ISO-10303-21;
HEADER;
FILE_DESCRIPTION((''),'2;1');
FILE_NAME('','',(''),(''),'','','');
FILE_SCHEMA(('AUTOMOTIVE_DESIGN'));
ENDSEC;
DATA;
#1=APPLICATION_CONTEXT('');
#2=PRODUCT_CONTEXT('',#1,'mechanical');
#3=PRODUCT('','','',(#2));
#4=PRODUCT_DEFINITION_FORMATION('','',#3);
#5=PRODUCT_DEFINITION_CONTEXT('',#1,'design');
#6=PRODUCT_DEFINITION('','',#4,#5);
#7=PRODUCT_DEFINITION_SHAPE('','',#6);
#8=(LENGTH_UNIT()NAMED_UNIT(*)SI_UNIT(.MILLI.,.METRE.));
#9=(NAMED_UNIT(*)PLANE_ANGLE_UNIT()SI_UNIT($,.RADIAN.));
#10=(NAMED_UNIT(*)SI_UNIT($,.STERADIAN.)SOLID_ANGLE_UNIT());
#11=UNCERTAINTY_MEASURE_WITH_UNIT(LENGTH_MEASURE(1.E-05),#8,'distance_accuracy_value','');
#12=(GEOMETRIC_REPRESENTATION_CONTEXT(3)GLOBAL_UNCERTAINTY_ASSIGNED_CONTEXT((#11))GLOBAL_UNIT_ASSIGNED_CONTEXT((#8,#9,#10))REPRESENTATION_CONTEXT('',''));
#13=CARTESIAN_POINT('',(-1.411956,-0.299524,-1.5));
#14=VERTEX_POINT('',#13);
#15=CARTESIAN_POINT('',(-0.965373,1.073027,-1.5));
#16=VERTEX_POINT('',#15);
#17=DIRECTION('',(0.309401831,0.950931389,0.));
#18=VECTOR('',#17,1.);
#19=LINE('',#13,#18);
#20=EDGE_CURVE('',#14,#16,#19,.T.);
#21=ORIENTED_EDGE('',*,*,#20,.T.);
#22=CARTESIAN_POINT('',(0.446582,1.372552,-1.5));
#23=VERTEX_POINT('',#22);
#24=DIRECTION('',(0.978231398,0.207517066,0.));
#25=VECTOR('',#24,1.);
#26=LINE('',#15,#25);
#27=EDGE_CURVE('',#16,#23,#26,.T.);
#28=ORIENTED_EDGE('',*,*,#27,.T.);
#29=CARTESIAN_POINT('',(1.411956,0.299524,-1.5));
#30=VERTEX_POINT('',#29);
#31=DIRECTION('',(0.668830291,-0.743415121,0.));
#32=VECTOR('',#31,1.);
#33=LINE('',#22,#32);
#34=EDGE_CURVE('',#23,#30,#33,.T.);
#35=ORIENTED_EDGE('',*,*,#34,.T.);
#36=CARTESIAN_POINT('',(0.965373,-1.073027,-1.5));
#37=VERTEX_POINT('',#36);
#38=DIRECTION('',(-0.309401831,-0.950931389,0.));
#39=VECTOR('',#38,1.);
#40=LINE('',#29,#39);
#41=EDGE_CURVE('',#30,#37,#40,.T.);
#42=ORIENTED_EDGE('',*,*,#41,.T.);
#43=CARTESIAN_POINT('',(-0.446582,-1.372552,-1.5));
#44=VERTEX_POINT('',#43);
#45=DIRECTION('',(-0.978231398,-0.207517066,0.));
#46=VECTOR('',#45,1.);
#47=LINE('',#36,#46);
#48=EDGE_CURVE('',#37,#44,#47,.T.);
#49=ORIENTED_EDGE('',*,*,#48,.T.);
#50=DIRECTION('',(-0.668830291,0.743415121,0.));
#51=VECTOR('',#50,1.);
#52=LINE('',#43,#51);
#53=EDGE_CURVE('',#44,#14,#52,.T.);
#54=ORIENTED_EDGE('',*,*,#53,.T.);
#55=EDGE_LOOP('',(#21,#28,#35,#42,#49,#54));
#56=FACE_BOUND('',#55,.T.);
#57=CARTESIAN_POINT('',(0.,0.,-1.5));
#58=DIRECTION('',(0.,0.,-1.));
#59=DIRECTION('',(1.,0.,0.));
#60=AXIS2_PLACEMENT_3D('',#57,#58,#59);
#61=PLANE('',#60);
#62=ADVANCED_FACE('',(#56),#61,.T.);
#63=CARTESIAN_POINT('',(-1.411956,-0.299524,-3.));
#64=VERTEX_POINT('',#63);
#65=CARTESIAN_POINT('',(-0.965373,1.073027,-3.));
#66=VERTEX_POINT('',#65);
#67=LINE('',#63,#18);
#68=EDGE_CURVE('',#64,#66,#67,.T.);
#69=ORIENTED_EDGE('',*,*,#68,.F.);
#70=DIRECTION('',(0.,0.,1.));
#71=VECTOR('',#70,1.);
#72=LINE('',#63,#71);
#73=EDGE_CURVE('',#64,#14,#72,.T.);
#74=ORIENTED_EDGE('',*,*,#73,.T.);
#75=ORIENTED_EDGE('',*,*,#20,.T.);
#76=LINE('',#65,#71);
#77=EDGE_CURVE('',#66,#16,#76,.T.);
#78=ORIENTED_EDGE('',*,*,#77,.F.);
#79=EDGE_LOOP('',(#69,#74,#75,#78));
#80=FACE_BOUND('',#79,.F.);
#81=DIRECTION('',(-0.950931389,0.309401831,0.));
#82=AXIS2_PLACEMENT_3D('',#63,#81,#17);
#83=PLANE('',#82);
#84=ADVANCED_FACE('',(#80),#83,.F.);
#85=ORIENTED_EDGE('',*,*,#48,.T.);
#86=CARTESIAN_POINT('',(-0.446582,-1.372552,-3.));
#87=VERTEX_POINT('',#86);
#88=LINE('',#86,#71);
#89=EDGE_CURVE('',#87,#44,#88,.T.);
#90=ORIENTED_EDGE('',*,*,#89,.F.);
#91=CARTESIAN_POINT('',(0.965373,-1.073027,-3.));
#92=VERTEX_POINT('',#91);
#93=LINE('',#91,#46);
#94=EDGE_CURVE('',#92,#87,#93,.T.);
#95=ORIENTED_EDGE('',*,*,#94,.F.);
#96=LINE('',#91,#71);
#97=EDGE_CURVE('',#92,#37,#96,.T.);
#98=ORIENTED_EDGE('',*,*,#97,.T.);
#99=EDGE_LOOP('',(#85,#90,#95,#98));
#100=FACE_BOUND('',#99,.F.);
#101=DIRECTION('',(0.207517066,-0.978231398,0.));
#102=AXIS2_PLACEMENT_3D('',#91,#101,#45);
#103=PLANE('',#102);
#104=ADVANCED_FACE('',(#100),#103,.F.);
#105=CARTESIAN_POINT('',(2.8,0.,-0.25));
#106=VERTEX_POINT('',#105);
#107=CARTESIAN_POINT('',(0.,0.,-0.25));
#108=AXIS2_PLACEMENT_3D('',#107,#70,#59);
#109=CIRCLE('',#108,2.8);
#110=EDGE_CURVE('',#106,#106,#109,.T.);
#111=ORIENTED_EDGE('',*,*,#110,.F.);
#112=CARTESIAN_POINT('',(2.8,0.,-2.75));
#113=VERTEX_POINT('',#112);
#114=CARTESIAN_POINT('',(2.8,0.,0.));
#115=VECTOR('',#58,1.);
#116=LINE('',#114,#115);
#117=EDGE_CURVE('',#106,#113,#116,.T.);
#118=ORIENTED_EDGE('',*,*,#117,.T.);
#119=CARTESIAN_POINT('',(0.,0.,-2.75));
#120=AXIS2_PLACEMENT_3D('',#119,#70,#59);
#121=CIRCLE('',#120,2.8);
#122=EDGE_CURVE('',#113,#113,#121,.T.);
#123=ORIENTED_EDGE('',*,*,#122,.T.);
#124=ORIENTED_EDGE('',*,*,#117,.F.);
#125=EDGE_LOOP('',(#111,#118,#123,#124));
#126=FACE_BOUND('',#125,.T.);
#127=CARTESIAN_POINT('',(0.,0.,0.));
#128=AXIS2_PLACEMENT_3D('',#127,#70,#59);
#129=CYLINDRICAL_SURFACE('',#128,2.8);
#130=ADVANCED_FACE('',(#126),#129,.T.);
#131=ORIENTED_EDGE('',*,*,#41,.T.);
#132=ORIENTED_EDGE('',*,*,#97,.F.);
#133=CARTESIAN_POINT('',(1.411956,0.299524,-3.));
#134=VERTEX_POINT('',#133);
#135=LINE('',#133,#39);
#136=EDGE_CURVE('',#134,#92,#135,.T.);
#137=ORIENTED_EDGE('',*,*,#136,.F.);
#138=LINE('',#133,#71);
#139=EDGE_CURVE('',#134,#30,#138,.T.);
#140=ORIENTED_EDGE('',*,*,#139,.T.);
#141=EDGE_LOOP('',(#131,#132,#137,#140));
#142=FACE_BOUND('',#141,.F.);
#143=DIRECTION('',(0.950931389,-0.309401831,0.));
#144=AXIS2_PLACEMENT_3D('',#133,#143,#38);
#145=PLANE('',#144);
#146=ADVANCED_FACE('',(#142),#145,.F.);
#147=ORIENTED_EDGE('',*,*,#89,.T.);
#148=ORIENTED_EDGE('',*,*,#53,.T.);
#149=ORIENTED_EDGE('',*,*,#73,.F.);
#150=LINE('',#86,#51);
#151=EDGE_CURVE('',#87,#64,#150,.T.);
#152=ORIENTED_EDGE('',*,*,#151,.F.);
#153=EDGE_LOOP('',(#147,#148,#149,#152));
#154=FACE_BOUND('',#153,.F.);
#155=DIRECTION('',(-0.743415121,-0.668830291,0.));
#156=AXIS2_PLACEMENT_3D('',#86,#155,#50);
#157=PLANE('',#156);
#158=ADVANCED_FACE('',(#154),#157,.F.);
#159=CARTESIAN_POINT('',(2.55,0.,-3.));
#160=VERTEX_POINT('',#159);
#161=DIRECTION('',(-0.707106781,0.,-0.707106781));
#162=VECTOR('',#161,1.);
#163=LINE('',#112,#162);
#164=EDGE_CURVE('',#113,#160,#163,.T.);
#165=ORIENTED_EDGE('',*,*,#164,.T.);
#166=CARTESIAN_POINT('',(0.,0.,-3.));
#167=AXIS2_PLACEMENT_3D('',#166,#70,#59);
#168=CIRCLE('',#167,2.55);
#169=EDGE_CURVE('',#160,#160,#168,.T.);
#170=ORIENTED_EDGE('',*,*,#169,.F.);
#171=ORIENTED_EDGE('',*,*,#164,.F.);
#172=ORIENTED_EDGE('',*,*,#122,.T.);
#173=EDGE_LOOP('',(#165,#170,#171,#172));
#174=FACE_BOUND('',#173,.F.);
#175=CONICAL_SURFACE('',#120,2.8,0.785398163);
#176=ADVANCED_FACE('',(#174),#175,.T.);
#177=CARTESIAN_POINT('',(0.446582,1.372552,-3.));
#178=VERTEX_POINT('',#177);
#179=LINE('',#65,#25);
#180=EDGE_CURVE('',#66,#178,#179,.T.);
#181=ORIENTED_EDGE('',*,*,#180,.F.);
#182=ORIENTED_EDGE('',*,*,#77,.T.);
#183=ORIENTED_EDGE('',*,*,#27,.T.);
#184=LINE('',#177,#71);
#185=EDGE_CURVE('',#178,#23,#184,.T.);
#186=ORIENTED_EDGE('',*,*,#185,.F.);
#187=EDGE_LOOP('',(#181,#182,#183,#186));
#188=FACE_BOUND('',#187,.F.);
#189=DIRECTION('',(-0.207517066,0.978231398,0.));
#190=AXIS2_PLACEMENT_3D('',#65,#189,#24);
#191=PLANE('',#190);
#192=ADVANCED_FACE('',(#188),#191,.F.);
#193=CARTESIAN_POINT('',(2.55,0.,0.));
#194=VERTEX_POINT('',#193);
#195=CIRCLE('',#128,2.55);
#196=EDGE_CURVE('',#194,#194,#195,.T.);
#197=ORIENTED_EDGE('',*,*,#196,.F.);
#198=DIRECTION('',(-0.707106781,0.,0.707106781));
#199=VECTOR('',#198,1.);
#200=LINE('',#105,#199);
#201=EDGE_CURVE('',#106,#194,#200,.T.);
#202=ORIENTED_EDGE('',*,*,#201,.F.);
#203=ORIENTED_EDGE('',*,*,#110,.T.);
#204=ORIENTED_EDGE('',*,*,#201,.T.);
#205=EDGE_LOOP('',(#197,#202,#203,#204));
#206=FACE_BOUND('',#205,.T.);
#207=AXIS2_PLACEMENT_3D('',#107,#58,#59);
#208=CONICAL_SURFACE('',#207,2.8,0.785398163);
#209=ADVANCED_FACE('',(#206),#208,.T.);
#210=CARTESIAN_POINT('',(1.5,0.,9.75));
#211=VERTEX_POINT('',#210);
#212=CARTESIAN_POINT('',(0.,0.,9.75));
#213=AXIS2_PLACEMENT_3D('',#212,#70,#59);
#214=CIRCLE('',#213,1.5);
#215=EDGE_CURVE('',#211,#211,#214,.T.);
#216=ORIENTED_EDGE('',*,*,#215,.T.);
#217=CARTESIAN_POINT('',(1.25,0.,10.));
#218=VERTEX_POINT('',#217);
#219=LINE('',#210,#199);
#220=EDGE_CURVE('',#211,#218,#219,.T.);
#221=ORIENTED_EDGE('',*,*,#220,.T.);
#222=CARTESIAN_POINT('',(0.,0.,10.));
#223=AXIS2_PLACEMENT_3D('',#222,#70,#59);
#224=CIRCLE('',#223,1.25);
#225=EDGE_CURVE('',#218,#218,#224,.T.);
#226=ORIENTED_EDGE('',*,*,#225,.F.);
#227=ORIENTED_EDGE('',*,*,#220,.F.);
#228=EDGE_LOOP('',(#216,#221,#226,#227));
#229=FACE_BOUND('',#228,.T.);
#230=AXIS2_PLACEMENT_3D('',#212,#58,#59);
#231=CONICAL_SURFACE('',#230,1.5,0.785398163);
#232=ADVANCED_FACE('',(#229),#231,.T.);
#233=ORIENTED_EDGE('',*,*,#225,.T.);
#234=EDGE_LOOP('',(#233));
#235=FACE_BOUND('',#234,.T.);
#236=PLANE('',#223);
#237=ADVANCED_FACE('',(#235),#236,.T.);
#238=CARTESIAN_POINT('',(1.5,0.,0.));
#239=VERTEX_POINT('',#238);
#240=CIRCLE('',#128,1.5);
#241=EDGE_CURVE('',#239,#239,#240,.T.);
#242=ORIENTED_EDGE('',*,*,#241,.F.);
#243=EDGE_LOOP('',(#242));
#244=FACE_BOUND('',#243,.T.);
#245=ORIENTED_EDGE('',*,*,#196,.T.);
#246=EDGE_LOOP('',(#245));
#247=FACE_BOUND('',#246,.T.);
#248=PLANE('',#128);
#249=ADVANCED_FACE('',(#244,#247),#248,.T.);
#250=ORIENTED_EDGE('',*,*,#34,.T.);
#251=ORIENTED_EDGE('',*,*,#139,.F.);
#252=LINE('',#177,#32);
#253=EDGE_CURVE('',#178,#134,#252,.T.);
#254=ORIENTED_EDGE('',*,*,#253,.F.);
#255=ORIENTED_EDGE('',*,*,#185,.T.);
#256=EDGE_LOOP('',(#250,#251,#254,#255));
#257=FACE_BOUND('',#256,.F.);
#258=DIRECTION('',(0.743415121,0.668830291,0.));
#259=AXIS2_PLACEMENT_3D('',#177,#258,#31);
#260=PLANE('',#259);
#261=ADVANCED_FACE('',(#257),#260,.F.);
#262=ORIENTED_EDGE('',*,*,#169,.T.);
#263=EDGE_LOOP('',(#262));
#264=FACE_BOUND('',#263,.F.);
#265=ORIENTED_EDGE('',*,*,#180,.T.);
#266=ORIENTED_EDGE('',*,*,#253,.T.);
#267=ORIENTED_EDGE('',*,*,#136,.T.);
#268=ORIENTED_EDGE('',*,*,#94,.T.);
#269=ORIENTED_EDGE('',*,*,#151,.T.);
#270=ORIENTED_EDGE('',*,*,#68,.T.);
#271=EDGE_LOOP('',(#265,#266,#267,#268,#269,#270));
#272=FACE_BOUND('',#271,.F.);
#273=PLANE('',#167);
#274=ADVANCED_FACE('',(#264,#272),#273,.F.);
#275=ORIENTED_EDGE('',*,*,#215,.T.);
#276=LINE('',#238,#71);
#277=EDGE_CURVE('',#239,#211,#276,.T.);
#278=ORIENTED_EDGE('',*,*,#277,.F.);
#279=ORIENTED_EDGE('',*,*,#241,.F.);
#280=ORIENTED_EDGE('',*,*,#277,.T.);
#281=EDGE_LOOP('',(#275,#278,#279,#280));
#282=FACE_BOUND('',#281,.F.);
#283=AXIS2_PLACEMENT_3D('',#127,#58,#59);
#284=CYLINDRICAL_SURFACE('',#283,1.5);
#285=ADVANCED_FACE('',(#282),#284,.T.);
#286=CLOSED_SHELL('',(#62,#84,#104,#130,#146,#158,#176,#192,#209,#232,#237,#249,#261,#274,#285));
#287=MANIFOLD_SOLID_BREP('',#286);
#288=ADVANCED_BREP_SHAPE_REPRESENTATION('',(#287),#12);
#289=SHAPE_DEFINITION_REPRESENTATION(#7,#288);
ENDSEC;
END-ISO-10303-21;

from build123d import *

# Parameters (mm, degrees)
F0_R     = 1.5
F1_DEPTH = 10
F2_R     = 2.8
F3_DEPTH = 3
F5_DEPTH = 1.5
F6_SIZE  = 0.25


with BuildPart() as f1:
    # F0 (on Top) → F1 (new body)
    with BuildSketch(Plane.XY):
        Circle(F0_R)
    extrude(amount=F1_DEPTH)

    # F2 (on Top) → F3 (join)
    with BuildSketch(Plane.XY):
        Circle(F2_R)
    extrude(amount=-F3_DEPTH)

    # F4 (on face) → F5 (cut)
    with BuildSketch(Plane(origin=(0, 0, -3), x_dir=(1, 0, 0), z_dir=(0, 0, -1))):
        Polygon((0.446582, -1.372552), (1.411956, -0.299524), (0.965373, 1.073027), (-0.446582, 1.372552), (-1.411956, 0.299524), (-0.965373, -1.073027), align=None)
    extrude(amount=-F5_DEPTH, mode=Mode.SUBTRACT)

    # F6
    f6_edges = [f1.edges().sort_by_distance(p)[0] for p in [
        (-2.8, 0, -3),
        (-1.5, 0, 10),
        (-2.8, 0, 0),
    ]]
    chamfer(f6_edges, length=F6_SIZE)


solid = f1.part
